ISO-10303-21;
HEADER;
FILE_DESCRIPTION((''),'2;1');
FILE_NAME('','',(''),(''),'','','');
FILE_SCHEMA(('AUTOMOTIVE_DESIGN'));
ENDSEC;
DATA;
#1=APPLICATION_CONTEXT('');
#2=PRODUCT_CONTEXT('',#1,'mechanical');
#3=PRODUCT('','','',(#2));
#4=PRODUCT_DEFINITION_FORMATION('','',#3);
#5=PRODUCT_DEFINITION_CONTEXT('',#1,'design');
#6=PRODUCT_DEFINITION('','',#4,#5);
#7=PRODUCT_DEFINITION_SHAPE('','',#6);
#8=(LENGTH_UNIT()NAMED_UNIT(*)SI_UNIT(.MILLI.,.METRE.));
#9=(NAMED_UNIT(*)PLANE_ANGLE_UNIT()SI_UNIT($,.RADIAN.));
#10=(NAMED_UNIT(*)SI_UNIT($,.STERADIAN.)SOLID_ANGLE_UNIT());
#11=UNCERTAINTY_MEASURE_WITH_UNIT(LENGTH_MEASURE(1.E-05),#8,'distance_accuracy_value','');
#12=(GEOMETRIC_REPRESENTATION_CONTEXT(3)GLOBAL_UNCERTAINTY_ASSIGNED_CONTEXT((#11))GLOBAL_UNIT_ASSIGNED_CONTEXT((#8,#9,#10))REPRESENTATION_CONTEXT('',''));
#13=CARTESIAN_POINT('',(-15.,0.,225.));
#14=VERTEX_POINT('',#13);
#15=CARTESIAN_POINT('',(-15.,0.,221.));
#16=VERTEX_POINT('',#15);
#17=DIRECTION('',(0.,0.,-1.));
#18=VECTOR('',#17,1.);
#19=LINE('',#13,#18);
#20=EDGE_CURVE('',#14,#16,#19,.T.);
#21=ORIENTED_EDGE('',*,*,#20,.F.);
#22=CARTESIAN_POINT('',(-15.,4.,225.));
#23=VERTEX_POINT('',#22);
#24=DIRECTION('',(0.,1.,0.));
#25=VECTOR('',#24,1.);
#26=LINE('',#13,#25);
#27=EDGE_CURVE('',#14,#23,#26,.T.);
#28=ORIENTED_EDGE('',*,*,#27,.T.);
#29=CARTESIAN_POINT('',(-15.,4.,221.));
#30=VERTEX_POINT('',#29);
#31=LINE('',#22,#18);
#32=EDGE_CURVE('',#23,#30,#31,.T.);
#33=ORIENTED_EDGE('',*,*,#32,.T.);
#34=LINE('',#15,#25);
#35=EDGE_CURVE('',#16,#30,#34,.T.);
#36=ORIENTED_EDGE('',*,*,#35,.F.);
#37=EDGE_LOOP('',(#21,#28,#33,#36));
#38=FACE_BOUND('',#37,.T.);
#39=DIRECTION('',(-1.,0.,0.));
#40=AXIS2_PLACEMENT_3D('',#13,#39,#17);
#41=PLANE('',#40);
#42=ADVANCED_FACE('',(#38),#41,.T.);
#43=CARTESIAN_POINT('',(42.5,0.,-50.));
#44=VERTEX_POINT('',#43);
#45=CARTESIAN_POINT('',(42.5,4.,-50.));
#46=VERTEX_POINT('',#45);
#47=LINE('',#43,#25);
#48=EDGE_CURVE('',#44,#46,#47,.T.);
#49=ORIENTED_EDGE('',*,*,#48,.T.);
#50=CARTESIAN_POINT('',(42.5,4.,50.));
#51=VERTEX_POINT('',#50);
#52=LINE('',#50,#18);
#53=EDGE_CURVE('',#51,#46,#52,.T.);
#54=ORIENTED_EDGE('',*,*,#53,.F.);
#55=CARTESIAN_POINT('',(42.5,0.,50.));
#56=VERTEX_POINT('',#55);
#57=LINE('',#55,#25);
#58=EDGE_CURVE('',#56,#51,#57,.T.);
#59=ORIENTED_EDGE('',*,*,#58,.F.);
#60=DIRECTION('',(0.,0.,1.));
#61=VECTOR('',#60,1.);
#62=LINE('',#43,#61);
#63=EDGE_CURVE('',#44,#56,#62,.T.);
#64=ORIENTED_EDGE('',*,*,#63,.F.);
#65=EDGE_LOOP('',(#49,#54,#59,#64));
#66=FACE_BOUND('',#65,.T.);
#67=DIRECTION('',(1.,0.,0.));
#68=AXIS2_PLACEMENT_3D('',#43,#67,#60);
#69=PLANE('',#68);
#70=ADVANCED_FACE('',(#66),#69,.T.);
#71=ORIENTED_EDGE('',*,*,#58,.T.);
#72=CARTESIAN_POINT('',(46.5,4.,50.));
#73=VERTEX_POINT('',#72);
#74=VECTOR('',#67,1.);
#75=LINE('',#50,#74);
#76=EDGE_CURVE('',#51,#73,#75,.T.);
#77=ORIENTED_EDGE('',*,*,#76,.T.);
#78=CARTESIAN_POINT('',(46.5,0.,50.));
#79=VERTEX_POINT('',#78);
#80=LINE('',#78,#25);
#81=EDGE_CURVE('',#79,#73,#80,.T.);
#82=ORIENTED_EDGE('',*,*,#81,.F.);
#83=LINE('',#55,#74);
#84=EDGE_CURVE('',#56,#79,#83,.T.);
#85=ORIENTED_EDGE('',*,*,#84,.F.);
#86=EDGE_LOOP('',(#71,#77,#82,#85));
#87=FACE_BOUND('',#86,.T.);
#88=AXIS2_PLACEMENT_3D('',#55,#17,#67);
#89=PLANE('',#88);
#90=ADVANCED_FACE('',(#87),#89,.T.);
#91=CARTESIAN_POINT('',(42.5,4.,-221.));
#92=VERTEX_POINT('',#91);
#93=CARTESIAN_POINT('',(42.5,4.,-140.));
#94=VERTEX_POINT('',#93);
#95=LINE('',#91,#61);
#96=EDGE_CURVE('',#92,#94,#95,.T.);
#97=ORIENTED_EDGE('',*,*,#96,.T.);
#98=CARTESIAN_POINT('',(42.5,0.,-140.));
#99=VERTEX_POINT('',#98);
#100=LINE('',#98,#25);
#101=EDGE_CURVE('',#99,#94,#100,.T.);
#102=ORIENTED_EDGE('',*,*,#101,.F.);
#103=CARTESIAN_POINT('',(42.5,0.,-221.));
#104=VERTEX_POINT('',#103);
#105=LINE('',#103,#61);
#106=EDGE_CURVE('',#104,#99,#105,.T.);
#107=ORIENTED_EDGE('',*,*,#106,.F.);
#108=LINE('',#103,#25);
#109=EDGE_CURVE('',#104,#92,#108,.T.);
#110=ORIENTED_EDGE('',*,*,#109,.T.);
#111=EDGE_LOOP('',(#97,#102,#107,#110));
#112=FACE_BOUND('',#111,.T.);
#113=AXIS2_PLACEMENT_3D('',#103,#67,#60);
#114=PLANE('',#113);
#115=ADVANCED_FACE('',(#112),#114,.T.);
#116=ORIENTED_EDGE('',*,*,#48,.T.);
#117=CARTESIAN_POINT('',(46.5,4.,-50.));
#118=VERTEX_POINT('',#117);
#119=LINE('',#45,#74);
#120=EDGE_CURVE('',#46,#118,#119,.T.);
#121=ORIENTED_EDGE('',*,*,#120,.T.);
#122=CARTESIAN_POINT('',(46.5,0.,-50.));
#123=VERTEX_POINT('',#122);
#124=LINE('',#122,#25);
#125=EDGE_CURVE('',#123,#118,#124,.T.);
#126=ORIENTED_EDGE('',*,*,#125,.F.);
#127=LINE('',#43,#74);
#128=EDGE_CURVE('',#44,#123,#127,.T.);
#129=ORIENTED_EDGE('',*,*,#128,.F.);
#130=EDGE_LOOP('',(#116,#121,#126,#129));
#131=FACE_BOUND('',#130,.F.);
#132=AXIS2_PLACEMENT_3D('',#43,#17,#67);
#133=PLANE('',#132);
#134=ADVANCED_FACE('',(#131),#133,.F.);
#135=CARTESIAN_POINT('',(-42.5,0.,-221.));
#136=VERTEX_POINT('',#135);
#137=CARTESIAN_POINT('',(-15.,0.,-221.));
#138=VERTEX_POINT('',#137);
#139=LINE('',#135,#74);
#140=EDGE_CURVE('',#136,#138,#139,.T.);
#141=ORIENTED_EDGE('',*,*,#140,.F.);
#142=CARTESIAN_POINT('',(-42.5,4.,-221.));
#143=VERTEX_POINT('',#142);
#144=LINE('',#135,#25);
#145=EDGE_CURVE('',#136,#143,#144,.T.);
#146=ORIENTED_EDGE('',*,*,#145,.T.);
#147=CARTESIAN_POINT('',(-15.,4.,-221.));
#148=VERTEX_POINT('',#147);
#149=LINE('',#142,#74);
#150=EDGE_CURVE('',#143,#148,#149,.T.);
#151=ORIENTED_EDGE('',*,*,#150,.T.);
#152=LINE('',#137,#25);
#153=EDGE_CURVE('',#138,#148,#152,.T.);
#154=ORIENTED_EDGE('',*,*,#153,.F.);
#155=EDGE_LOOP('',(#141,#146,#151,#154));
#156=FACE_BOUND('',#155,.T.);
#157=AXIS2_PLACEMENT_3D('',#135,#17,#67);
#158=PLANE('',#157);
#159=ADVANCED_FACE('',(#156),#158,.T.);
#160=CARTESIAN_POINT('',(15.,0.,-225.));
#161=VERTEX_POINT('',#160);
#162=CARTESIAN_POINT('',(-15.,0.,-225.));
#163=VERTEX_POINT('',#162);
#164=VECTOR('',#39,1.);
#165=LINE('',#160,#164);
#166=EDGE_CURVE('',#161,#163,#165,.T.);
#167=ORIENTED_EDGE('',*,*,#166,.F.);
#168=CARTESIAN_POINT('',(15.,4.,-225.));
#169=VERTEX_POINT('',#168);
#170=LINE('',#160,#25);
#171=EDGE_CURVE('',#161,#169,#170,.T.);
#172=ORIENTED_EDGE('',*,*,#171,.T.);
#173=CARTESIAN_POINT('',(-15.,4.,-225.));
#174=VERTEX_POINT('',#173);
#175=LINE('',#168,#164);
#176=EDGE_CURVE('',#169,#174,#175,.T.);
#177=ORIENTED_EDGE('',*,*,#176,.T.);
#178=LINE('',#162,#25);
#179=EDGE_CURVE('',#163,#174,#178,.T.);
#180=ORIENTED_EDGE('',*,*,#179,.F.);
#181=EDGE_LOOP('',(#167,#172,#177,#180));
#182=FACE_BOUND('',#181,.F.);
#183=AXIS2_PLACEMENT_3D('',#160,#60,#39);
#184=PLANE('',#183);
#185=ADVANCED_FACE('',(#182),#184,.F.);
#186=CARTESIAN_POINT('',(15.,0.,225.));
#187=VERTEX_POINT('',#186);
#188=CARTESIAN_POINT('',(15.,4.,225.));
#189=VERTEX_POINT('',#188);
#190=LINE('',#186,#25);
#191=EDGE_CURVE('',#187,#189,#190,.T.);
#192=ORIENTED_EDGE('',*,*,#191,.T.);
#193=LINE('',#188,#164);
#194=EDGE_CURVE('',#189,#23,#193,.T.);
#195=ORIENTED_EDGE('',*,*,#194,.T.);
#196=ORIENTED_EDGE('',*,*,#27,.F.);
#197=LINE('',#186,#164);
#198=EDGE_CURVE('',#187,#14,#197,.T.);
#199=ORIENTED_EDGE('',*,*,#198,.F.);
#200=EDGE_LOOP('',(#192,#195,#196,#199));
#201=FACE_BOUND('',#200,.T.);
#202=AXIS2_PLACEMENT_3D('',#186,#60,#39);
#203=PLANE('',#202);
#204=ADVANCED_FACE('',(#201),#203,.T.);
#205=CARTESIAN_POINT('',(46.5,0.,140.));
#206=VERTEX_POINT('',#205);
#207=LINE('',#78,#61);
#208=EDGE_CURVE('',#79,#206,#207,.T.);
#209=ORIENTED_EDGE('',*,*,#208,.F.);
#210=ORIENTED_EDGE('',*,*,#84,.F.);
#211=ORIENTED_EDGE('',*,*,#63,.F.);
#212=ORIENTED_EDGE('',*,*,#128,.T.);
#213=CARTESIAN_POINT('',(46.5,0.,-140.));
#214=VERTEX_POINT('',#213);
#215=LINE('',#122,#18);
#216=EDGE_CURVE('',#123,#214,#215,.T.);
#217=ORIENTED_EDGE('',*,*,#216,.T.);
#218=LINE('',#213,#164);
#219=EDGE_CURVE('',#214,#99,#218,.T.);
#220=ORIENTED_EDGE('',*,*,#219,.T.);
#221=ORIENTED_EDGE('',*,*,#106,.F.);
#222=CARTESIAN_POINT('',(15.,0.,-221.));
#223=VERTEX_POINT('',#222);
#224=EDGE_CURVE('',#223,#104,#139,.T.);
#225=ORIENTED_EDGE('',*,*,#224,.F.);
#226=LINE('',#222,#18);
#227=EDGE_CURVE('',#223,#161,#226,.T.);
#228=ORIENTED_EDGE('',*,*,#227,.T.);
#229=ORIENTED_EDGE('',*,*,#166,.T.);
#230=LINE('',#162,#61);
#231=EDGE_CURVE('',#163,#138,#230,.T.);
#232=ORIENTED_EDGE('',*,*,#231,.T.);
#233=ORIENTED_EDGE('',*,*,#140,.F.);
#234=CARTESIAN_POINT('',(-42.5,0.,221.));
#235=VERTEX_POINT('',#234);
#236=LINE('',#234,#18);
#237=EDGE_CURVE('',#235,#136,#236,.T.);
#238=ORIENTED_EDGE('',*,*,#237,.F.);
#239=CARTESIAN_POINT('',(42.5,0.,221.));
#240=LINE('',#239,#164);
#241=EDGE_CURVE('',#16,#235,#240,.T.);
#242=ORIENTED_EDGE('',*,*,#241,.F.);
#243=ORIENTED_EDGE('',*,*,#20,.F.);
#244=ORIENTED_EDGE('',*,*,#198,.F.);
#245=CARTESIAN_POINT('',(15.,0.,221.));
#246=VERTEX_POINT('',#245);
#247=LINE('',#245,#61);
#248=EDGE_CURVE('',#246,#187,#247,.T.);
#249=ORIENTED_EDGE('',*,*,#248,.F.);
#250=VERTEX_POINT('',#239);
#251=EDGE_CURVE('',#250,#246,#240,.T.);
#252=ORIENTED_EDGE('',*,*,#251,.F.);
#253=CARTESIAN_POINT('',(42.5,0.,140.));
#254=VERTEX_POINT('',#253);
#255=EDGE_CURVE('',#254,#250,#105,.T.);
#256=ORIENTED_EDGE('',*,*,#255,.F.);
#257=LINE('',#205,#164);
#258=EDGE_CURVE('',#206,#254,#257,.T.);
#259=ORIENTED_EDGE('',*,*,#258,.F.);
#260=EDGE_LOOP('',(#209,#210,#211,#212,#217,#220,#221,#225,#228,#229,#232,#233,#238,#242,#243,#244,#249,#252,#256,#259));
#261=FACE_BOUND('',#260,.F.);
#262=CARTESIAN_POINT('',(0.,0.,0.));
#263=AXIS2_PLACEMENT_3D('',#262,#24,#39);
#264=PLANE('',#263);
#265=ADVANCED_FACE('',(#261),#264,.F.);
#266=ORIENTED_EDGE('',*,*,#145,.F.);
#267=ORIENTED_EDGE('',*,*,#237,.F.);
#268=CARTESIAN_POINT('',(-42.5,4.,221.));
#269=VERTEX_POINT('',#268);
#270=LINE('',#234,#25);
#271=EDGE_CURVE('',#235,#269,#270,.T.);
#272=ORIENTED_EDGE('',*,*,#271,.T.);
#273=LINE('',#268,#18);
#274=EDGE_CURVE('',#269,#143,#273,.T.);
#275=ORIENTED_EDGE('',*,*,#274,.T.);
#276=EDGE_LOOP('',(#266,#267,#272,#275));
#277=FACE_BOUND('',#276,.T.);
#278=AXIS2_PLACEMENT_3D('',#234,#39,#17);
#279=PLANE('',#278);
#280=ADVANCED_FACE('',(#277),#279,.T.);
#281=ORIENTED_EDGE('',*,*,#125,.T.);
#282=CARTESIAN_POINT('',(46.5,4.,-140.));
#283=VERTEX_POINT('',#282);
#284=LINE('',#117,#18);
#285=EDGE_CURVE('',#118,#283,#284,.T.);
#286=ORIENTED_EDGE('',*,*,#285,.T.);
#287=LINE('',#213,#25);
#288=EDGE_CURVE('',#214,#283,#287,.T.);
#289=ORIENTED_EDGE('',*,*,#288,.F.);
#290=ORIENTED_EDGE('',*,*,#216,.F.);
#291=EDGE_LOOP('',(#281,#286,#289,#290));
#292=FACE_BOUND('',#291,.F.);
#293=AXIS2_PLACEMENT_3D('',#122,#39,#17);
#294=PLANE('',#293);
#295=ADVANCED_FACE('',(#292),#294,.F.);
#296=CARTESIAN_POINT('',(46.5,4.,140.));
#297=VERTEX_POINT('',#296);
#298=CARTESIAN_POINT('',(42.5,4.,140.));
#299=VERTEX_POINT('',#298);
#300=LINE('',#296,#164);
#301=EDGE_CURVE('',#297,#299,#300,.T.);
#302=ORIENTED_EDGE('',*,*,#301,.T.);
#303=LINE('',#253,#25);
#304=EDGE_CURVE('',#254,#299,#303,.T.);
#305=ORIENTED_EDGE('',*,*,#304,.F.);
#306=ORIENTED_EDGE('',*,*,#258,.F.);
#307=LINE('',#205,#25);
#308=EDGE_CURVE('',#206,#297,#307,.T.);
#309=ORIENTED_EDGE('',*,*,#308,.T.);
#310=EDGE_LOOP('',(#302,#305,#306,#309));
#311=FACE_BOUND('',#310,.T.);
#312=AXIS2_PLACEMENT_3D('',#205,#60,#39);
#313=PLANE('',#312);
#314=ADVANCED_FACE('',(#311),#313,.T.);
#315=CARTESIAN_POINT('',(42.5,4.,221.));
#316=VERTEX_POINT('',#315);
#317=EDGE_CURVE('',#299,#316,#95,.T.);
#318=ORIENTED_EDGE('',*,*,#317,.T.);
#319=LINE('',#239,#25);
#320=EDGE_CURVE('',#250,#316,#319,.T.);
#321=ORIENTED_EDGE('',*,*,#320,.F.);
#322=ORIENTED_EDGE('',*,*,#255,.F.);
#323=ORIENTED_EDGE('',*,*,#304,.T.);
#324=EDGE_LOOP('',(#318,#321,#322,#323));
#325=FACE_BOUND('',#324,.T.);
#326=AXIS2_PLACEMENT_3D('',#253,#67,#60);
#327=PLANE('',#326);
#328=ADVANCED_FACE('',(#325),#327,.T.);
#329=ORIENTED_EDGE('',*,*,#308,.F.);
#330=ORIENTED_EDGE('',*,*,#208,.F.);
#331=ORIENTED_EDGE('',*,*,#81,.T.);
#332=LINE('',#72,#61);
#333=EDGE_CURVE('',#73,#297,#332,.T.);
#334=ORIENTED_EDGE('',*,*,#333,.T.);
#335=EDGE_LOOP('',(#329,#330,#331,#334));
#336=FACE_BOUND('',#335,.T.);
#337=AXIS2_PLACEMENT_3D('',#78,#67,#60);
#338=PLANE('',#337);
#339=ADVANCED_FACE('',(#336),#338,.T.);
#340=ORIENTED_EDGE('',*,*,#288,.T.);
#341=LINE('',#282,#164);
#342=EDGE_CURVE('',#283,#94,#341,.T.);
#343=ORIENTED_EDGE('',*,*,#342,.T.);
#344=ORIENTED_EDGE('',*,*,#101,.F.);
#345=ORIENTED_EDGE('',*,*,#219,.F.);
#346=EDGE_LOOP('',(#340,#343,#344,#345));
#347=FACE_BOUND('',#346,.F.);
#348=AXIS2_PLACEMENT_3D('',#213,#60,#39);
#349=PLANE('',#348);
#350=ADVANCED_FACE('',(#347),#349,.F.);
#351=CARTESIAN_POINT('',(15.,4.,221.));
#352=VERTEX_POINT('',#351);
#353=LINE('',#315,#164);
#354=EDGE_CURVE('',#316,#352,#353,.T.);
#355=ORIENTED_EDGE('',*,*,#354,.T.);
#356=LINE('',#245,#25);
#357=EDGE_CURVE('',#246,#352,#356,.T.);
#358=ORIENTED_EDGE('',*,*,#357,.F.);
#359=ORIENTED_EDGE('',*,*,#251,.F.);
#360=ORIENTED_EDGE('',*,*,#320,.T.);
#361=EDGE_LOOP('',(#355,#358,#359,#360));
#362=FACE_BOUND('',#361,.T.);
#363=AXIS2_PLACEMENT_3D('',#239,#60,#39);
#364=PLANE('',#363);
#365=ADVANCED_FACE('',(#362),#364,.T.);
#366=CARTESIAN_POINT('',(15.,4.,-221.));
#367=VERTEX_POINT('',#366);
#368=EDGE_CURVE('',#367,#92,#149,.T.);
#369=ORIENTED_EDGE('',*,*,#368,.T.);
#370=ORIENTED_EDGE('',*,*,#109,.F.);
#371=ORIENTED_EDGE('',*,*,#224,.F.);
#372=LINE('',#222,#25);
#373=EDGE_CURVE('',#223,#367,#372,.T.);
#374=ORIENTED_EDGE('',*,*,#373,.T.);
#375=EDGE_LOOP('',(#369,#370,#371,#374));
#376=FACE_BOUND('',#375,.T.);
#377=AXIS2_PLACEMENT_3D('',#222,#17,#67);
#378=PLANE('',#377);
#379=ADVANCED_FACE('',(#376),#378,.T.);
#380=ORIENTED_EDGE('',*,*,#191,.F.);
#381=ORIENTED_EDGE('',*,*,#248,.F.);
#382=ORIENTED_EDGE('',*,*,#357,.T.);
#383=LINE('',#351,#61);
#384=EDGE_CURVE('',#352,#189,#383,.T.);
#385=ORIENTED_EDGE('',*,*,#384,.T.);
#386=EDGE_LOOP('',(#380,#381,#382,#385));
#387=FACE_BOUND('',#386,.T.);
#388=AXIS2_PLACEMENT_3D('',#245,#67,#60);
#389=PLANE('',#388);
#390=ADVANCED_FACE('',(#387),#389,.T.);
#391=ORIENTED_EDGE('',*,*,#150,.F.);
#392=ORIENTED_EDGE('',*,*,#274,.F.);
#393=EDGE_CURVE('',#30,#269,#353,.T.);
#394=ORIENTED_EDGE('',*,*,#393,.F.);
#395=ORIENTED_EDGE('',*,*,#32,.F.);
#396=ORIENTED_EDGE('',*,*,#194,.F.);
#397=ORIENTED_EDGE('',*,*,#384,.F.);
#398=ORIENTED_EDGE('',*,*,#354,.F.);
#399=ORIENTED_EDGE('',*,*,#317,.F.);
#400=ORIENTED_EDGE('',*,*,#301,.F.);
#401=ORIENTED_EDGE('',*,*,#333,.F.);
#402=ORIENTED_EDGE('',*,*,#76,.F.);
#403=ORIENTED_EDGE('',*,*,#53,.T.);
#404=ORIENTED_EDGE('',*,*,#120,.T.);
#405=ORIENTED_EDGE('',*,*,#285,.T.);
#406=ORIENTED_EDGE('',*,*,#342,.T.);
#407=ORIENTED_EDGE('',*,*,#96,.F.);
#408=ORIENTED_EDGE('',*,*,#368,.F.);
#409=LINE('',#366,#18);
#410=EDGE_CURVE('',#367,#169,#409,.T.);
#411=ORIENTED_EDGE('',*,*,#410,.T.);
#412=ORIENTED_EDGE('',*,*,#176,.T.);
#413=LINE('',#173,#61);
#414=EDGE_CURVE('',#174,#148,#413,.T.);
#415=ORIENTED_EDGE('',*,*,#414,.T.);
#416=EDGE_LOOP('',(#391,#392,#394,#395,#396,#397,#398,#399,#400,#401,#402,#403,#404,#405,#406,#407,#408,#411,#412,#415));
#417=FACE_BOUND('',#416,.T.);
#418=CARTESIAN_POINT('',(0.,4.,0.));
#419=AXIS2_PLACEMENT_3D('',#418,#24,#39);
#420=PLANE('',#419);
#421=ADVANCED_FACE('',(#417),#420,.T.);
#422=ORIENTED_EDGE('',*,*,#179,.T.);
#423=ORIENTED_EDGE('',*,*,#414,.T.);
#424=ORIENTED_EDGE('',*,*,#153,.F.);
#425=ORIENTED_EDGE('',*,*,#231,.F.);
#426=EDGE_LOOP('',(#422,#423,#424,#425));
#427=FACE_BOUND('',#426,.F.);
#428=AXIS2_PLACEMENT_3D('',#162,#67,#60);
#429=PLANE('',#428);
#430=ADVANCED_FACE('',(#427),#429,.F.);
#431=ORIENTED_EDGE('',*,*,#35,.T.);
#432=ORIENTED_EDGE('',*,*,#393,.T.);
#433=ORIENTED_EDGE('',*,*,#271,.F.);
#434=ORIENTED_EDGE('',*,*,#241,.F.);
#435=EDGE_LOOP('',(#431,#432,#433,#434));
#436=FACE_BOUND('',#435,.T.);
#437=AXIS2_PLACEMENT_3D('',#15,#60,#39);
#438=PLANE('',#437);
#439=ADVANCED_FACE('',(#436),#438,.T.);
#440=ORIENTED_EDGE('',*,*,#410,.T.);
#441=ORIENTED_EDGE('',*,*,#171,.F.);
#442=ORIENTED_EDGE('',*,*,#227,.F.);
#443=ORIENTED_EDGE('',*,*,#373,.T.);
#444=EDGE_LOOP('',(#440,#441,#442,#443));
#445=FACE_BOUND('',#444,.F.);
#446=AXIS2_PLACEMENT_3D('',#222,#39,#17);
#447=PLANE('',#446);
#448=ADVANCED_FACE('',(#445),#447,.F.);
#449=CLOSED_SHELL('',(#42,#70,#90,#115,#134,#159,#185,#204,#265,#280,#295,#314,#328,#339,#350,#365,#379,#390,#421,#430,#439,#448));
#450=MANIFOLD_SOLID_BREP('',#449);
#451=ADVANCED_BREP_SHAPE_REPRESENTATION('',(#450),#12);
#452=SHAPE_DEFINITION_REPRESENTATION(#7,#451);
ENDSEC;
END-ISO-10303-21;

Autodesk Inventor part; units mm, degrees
ref_plane "YZ Plane" through (0, 0, 0) normal (1, 0, 0) x (0, 1, 0)
ref_plane "XZ Plane" through (0, 0, 0) normal (0, 1, 0) x (-1, 0, 0)
ref_plane "XY Plane" through (0, 0, 0) normal (0, 0, 1) x (1, 0, 0)
sketch "Эскиз1" plane through (0, 0, 0) normal (0, 1, 0) x (-1, 0, 0)
  line L0 (-42.5, 221) -> (42.5, 221)
  line L1 (42.5, 221) -> (42.5, -221)
  line L2 (42.5, -221) -> (-42.5, -221)
  line L3 (-42.5, -221) -> (-42.5, 221)
  line L4 (-42.5, 221) -> (42.5, -221) construction
  line L5 (42.5, 221) -> (-42.5, -221) construction
  line L6 (-42.5, 140) -> (-42.5, 50)
  line L7 (-42.5, 50) -> (-46.5, 50)
  line L8 (-46.5, 50) -> (-46.5, 140)
  line L9 (-46.5, 140) -> (-42.5, 140)
  line L10 (0, 0) -> (-15, 0) construction
  line L11 (-46.5, -50) -> (-46.5, -140)
  line L12 (-46.5, -140) -> (-42.5, -140)
  line L13 (-42.5, -50) -> (-46.5, -50)
  line L14 (-42.5, -140) -> (-42.5, -50)
  line L15 (-42.5, -24) -> (-42.5, 66)
  line L16 (15, 225) -> (15, 221)
  line L17 (15, 221) -> (-15, 221)
  line L18 (-15, 221) -> (-15, 225)
  line L19 (-15, 225) -> (15, 225)
  line L20 (15, 225) -> (-15, 221) construction
  line L21 (15, 221) -> (-15, 225) construction
  line L22 (0, 0) -> (0, 26.5579) construction
  line L23 (15, -225) -> (15, -221)
  line L24 (15, -221) -> (-15, -221)
  line L25 (-15, -221) -> (-15, -225)
  line L26 (-15, -225) -> (15, -225)
  point P0 (-10, -165.5)
  point P1 (-10, -255.5)
  point P2 (-10, -45)
  point P3 (-10, 45)
  point P4 (-42.5, -50)
  point P5 (-42.5, -140)
  point P6 (0, 223)
  point P7 (0, 223)
  point P8 (-15, -221)
  point P9 (15, -221)
  dimension "d0" = 442
  dimension "d1" = 85
  dimension "d2" = 4
  dimension "d3" = 90
  dimension "d4" = 50
  dimension "d9" = 30
  dimension "d11" = 4
extrude "Выдавливание1" add sketch "Эскиз1" along normal blind 4
properties part number "стенка боковая"
